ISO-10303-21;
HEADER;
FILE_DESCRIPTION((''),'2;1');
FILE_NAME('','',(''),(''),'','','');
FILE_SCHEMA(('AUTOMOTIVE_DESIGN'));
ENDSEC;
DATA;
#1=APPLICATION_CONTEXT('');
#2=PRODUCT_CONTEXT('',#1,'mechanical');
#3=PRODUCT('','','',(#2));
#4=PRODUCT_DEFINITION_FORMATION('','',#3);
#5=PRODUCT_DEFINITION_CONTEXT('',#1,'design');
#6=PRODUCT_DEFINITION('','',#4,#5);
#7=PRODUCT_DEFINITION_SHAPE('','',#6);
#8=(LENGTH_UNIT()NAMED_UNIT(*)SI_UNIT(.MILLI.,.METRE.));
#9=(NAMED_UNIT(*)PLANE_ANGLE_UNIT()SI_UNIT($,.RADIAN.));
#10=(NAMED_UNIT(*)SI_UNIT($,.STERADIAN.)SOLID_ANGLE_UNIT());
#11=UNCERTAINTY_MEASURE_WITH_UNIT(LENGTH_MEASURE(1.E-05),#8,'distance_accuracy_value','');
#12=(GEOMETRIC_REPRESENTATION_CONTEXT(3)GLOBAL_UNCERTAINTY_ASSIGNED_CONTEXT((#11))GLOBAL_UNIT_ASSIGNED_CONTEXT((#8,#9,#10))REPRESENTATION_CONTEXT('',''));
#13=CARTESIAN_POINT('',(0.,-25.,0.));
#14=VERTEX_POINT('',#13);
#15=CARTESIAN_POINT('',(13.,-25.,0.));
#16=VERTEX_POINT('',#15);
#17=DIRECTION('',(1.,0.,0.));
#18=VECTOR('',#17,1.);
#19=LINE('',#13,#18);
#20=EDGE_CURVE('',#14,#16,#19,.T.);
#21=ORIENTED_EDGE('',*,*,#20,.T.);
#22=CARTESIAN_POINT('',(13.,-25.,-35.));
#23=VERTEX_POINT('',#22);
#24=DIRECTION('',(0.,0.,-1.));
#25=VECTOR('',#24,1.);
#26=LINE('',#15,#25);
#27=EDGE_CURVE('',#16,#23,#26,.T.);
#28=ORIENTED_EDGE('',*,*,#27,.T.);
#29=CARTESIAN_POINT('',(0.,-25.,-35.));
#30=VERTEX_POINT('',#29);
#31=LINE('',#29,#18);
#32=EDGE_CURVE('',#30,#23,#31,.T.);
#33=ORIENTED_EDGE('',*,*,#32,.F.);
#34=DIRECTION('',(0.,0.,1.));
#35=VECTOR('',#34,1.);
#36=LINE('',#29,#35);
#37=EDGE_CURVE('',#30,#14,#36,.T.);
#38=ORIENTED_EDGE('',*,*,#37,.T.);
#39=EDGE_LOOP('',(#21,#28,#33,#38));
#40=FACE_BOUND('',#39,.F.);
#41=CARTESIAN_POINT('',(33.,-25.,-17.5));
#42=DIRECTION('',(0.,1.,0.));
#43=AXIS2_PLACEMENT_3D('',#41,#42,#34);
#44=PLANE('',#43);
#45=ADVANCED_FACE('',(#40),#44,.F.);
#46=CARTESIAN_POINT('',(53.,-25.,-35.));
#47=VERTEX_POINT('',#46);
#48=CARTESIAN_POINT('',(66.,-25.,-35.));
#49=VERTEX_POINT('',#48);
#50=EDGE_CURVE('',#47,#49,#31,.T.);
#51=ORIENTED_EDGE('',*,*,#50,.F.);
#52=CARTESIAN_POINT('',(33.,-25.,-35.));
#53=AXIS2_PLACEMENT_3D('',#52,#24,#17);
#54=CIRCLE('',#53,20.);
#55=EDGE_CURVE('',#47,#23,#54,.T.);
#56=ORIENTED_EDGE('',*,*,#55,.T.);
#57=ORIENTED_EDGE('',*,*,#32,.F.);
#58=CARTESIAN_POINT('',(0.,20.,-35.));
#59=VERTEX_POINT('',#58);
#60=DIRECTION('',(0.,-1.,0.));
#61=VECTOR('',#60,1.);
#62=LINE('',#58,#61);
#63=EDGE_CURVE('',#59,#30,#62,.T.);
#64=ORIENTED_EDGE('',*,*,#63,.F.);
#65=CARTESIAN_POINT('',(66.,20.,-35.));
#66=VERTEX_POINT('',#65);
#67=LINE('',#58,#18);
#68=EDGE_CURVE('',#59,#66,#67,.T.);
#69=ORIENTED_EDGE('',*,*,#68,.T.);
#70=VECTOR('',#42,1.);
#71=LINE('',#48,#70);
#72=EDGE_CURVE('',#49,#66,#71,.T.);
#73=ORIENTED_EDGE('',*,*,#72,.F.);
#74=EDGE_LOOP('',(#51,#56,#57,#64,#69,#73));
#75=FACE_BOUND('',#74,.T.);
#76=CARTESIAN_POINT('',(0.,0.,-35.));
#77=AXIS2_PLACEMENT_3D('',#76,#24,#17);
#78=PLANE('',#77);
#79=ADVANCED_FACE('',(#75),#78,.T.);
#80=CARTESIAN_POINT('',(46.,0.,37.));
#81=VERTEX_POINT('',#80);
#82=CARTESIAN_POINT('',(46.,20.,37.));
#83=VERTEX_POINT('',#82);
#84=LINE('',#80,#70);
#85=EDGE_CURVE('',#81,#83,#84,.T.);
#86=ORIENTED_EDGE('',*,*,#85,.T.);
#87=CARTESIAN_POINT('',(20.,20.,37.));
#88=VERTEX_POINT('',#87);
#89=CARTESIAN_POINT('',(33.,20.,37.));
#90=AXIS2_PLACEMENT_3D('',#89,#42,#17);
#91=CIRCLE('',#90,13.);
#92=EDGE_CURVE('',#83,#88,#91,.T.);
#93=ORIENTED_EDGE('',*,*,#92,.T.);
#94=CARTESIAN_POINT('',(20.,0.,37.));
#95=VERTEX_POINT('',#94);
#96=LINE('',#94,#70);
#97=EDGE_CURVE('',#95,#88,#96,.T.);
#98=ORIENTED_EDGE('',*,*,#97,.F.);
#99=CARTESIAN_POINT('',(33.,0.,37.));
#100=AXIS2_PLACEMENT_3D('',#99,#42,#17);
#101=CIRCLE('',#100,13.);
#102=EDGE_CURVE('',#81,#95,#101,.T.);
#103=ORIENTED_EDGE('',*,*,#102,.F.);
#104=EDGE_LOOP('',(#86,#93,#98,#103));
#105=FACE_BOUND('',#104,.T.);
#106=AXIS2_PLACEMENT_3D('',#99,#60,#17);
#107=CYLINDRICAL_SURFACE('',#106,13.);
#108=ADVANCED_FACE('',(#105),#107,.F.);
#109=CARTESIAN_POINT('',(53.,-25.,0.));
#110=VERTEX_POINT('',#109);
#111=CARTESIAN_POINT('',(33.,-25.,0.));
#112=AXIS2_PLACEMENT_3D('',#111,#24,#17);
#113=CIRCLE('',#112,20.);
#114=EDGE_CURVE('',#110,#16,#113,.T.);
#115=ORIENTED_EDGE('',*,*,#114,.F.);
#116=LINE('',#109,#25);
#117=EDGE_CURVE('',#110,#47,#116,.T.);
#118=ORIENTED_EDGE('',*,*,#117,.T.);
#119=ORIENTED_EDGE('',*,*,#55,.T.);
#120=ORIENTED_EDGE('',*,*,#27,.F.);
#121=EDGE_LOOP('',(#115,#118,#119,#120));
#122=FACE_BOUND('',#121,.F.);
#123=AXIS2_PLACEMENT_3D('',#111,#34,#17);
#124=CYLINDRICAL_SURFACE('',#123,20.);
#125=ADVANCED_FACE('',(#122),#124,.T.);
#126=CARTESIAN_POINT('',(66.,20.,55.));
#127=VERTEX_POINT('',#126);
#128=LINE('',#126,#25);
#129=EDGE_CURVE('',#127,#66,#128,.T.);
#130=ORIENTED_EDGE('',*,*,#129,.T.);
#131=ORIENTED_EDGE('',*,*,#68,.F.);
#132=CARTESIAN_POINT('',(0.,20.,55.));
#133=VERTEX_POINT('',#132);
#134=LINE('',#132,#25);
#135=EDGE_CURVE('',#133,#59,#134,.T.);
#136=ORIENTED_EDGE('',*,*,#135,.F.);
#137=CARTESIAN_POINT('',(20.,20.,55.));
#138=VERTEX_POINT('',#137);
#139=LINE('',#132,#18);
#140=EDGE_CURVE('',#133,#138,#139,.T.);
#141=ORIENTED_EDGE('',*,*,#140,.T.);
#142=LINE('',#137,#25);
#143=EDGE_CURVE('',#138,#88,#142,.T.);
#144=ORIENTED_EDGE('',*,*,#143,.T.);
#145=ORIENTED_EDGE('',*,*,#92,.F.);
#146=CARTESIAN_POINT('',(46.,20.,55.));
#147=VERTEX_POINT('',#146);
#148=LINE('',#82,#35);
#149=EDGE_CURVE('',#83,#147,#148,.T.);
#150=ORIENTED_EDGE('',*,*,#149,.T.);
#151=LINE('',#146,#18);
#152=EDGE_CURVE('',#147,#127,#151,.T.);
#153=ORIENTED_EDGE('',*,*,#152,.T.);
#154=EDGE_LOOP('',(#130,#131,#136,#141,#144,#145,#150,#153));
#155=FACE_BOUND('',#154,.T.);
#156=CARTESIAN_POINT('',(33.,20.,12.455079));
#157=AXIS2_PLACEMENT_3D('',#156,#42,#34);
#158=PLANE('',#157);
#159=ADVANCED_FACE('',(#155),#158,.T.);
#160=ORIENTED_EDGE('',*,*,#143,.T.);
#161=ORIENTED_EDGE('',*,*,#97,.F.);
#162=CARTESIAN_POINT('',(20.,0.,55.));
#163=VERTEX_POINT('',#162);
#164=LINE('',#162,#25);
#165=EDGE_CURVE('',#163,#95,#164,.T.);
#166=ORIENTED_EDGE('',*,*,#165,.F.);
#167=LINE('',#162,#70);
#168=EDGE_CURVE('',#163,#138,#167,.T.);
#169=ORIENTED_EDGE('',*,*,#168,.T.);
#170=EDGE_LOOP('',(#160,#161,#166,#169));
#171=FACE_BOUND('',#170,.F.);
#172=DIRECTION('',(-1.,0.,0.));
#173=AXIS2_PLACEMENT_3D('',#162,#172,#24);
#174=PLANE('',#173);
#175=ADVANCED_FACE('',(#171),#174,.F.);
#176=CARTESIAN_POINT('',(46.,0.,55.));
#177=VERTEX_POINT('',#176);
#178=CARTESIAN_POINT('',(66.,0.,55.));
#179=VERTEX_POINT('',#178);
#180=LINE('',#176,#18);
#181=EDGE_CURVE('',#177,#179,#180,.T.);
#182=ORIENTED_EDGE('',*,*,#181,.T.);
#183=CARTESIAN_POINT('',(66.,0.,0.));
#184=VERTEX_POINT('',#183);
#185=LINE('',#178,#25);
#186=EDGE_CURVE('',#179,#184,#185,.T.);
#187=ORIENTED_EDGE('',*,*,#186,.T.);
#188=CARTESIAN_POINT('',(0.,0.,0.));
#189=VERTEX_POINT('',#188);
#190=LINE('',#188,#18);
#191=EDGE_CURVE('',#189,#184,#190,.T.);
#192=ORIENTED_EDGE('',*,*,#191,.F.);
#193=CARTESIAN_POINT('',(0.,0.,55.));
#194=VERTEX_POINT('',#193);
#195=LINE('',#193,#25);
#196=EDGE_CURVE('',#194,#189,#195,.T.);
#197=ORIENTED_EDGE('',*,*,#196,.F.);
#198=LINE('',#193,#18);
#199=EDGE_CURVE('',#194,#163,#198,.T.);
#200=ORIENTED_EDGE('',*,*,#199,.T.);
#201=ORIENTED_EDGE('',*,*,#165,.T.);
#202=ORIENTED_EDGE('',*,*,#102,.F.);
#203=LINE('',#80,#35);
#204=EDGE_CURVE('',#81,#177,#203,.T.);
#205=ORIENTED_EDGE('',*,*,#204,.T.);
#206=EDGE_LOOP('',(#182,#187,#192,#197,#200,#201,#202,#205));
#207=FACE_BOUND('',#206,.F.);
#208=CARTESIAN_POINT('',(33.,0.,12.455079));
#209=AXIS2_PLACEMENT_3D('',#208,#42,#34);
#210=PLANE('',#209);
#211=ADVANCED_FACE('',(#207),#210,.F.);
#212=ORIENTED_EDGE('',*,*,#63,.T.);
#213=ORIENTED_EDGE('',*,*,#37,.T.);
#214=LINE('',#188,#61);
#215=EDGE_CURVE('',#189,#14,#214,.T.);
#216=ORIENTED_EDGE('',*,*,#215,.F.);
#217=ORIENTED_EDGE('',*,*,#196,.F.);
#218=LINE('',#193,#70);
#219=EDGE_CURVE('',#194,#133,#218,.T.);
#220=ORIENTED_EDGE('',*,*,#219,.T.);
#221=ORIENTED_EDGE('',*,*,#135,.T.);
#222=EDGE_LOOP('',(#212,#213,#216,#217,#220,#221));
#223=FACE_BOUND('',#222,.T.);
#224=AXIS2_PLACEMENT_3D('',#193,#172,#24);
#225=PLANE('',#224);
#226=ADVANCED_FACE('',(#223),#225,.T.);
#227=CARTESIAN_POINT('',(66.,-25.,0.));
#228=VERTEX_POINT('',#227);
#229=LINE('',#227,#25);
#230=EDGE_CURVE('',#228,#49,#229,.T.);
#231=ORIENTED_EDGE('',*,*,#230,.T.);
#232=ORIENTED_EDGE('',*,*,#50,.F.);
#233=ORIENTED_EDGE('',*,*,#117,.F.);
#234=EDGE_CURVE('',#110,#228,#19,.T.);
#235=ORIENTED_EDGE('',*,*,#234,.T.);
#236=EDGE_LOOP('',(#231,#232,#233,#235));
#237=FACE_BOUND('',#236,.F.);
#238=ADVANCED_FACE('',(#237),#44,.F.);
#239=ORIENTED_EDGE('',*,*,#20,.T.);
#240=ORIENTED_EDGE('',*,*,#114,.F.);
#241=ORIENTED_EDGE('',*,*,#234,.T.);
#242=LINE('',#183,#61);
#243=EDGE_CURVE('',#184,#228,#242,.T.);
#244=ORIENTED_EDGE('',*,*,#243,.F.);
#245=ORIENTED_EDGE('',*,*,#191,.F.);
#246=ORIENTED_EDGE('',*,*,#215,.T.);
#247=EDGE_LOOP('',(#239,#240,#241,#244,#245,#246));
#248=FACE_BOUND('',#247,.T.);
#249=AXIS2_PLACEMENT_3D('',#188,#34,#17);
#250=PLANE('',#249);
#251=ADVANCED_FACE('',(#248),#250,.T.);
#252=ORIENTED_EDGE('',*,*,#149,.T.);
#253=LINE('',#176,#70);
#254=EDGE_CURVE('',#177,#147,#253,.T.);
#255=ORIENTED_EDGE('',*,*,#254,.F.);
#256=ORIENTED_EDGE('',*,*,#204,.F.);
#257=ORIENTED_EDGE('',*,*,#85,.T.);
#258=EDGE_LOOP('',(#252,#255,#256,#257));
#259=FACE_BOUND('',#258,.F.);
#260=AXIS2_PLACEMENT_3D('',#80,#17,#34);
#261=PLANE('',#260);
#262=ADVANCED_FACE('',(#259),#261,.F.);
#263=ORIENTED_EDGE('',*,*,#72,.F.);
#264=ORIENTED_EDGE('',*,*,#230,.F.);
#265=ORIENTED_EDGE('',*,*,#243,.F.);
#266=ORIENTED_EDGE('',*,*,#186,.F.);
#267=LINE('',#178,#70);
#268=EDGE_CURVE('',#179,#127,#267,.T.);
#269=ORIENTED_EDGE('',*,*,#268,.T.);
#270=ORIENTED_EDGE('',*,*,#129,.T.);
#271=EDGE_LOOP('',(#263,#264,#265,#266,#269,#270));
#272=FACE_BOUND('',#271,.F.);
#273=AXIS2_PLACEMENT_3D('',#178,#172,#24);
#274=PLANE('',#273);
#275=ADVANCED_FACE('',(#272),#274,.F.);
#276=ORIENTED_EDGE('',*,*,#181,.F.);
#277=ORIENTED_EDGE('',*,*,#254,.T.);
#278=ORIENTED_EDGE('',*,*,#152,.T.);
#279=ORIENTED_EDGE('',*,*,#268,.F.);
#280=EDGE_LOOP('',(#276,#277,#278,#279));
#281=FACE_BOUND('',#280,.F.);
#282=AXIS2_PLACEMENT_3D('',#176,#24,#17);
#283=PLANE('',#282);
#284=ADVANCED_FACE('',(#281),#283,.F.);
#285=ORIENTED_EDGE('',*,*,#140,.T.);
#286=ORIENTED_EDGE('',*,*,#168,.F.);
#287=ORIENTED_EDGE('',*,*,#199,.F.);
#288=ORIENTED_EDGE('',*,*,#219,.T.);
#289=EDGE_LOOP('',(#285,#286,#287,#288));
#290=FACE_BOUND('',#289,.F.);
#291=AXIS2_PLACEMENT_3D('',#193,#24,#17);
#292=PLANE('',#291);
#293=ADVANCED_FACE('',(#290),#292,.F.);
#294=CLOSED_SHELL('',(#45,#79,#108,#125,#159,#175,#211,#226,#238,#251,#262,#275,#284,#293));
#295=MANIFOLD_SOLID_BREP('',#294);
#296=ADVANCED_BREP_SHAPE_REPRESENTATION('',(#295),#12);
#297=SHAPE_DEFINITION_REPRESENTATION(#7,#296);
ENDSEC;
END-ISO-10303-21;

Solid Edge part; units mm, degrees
sketch "Sketch1" plane through (0, 0, 0) normal (0, -1, 0) x (1, 0, 0)
  line L0 (0, 55) -> (20, 55)
  line L1 (20, 55) -> (20, 37)
  line L2 (46, 37) -> (46, 55)
  line L3 (46, 55) -> (66, 55)
  line L4 (66, 55) -> (66, 0)
  line L5 (66, 0) -> (66, -35)
  line L6 (0, -35) -> (66, -35)
  line L7 (0, -35) -> (0, 0)
  line L8 (0, 55) -> (0, 0)
  arc A0 (46, 37) -> (20, 37) centre (33, 37) cw
extrude "Protrusion1" add sketch "Sketch1" against normal blind 20
sketch "Sketch2" plane through (0, 0, 0) normal (0, -1, 0) x (1, 0, 0)
  line L0 (0, 0) -> (66, 0)
  line L1 (66, 0) -> (66, -35)
  line L2 (0, -35) -> (66, -35)
  line L3 (0, -35) -> (0, 0)
extrude "ExtrudedProtrusion_2" add sketch "Sketch2" along normal blind 25
sketch "Sketch3" plane through (0, 0, 0) normal (0, 0, 1) x (1, 0, 0)
  line L0 (13, -25) -> (53, -25)
  arc A0 (53, -25) -> (13, -25) centre (33, -25) cw
extrude "ExtrudedProtrusion_3" add sketch "Sketch3" against normal blind 35
